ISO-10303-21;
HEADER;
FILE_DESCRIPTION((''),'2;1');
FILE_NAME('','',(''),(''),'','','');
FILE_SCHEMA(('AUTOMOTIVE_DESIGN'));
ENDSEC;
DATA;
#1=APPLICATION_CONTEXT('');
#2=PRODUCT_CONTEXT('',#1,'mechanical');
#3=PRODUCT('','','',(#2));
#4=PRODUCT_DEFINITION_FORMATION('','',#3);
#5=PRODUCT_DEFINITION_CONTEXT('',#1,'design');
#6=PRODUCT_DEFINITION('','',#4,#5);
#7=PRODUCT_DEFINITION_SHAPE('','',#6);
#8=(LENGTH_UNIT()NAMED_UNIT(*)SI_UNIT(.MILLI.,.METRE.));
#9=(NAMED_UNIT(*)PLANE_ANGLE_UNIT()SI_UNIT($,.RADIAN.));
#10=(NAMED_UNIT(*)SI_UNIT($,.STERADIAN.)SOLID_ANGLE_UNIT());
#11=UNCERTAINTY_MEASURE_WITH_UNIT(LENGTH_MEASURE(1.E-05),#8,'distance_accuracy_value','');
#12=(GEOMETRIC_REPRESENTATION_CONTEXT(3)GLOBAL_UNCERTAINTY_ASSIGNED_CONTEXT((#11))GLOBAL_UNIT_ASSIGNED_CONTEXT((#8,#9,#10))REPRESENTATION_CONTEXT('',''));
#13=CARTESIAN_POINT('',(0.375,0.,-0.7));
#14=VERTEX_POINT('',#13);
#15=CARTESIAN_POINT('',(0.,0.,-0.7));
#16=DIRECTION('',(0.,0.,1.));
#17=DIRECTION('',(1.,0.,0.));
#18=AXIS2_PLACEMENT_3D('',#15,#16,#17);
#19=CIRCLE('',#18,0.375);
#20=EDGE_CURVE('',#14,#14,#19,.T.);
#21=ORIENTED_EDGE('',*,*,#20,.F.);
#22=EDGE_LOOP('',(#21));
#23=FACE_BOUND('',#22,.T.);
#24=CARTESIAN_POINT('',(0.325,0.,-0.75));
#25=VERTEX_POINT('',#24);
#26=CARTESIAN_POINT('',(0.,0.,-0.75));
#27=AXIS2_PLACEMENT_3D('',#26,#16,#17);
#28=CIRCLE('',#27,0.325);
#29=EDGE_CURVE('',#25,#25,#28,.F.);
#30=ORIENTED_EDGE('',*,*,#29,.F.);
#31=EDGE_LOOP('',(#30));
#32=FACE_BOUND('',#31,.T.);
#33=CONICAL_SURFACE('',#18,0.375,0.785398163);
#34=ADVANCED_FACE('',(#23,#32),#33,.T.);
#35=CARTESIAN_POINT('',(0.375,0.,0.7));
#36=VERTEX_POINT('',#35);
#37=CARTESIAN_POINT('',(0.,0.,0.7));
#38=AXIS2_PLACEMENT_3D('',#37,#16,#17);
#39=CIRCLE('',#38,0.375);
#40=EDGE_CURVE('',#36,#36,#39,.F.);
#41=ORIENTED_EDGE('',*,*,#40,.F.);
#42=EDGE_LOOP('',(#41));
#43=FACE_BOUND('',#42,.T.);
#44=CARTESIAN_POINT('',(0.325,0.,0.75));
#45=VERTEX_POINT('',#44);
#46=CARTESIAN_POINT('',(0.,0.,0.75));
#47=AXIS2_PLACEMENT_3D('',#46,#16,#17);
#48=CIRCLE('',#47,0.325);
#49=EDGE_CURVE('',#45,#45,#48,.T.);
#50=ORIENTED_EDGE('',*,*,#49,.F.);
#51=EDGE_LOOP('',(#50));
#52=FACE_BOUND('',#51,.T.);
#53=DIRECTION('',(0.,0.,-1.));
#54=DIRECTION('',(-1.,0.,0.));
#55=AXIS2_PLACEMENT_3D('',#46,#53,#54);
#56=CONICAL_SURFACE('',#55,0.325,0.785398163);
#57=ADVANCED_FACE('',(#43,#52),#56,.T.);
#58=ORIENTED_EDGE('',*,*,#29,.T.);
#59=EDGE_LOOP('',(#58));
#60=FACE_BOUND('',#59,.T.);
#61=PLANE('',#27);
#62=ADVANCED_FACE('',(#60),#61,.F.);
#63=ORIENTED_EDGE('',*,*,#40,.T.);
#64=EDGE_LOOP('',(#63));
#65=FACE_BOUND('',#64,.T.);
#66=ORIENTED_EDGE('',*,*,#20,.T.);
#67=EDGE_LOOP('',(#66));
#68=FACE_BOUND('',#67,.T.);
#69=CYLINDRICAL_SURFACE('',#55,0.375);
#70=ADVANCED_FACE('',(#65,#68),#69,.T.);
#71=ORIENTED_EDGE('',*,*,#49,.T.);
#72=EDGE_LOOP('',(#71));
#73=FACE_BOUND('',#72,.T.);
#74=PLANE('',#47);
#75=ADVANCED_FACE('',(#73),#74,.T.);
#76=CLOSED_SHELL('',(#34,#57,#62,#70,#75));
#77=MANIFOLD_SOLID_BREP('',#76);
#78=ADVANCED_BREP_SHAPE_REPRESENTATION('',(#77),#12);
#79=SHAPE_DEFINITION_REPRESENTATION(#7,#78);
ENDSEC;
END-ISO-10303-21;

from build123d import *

# Parameters (mm, degrees)
SKETCH1_R           = 0.375
BOSS_EXTRUDE1_DEPTH = 0.75
CHAMFER1_SIZE       = 0.05


with BuildPart() as part:
    # Sketch1 → Boss-Extrude1 (new body, symmetric)
    with BuildSketch(Plane.XY):
        Circle(SKETCH1_R)
    extrude(amount=BOSS_EXTRUDE1_DEPTH, both=True)

    # Chamfer1
    chamfer1_edges = [part.edges().sort_by_distance(p)[0] for p in [
        (-0.375, 0, -0.75),
        (-0.375, 0, 0.75),
    ]]
    chamfer(chamfer1_edges, length=CHAMFER1_SIZE)


solid = part.part
